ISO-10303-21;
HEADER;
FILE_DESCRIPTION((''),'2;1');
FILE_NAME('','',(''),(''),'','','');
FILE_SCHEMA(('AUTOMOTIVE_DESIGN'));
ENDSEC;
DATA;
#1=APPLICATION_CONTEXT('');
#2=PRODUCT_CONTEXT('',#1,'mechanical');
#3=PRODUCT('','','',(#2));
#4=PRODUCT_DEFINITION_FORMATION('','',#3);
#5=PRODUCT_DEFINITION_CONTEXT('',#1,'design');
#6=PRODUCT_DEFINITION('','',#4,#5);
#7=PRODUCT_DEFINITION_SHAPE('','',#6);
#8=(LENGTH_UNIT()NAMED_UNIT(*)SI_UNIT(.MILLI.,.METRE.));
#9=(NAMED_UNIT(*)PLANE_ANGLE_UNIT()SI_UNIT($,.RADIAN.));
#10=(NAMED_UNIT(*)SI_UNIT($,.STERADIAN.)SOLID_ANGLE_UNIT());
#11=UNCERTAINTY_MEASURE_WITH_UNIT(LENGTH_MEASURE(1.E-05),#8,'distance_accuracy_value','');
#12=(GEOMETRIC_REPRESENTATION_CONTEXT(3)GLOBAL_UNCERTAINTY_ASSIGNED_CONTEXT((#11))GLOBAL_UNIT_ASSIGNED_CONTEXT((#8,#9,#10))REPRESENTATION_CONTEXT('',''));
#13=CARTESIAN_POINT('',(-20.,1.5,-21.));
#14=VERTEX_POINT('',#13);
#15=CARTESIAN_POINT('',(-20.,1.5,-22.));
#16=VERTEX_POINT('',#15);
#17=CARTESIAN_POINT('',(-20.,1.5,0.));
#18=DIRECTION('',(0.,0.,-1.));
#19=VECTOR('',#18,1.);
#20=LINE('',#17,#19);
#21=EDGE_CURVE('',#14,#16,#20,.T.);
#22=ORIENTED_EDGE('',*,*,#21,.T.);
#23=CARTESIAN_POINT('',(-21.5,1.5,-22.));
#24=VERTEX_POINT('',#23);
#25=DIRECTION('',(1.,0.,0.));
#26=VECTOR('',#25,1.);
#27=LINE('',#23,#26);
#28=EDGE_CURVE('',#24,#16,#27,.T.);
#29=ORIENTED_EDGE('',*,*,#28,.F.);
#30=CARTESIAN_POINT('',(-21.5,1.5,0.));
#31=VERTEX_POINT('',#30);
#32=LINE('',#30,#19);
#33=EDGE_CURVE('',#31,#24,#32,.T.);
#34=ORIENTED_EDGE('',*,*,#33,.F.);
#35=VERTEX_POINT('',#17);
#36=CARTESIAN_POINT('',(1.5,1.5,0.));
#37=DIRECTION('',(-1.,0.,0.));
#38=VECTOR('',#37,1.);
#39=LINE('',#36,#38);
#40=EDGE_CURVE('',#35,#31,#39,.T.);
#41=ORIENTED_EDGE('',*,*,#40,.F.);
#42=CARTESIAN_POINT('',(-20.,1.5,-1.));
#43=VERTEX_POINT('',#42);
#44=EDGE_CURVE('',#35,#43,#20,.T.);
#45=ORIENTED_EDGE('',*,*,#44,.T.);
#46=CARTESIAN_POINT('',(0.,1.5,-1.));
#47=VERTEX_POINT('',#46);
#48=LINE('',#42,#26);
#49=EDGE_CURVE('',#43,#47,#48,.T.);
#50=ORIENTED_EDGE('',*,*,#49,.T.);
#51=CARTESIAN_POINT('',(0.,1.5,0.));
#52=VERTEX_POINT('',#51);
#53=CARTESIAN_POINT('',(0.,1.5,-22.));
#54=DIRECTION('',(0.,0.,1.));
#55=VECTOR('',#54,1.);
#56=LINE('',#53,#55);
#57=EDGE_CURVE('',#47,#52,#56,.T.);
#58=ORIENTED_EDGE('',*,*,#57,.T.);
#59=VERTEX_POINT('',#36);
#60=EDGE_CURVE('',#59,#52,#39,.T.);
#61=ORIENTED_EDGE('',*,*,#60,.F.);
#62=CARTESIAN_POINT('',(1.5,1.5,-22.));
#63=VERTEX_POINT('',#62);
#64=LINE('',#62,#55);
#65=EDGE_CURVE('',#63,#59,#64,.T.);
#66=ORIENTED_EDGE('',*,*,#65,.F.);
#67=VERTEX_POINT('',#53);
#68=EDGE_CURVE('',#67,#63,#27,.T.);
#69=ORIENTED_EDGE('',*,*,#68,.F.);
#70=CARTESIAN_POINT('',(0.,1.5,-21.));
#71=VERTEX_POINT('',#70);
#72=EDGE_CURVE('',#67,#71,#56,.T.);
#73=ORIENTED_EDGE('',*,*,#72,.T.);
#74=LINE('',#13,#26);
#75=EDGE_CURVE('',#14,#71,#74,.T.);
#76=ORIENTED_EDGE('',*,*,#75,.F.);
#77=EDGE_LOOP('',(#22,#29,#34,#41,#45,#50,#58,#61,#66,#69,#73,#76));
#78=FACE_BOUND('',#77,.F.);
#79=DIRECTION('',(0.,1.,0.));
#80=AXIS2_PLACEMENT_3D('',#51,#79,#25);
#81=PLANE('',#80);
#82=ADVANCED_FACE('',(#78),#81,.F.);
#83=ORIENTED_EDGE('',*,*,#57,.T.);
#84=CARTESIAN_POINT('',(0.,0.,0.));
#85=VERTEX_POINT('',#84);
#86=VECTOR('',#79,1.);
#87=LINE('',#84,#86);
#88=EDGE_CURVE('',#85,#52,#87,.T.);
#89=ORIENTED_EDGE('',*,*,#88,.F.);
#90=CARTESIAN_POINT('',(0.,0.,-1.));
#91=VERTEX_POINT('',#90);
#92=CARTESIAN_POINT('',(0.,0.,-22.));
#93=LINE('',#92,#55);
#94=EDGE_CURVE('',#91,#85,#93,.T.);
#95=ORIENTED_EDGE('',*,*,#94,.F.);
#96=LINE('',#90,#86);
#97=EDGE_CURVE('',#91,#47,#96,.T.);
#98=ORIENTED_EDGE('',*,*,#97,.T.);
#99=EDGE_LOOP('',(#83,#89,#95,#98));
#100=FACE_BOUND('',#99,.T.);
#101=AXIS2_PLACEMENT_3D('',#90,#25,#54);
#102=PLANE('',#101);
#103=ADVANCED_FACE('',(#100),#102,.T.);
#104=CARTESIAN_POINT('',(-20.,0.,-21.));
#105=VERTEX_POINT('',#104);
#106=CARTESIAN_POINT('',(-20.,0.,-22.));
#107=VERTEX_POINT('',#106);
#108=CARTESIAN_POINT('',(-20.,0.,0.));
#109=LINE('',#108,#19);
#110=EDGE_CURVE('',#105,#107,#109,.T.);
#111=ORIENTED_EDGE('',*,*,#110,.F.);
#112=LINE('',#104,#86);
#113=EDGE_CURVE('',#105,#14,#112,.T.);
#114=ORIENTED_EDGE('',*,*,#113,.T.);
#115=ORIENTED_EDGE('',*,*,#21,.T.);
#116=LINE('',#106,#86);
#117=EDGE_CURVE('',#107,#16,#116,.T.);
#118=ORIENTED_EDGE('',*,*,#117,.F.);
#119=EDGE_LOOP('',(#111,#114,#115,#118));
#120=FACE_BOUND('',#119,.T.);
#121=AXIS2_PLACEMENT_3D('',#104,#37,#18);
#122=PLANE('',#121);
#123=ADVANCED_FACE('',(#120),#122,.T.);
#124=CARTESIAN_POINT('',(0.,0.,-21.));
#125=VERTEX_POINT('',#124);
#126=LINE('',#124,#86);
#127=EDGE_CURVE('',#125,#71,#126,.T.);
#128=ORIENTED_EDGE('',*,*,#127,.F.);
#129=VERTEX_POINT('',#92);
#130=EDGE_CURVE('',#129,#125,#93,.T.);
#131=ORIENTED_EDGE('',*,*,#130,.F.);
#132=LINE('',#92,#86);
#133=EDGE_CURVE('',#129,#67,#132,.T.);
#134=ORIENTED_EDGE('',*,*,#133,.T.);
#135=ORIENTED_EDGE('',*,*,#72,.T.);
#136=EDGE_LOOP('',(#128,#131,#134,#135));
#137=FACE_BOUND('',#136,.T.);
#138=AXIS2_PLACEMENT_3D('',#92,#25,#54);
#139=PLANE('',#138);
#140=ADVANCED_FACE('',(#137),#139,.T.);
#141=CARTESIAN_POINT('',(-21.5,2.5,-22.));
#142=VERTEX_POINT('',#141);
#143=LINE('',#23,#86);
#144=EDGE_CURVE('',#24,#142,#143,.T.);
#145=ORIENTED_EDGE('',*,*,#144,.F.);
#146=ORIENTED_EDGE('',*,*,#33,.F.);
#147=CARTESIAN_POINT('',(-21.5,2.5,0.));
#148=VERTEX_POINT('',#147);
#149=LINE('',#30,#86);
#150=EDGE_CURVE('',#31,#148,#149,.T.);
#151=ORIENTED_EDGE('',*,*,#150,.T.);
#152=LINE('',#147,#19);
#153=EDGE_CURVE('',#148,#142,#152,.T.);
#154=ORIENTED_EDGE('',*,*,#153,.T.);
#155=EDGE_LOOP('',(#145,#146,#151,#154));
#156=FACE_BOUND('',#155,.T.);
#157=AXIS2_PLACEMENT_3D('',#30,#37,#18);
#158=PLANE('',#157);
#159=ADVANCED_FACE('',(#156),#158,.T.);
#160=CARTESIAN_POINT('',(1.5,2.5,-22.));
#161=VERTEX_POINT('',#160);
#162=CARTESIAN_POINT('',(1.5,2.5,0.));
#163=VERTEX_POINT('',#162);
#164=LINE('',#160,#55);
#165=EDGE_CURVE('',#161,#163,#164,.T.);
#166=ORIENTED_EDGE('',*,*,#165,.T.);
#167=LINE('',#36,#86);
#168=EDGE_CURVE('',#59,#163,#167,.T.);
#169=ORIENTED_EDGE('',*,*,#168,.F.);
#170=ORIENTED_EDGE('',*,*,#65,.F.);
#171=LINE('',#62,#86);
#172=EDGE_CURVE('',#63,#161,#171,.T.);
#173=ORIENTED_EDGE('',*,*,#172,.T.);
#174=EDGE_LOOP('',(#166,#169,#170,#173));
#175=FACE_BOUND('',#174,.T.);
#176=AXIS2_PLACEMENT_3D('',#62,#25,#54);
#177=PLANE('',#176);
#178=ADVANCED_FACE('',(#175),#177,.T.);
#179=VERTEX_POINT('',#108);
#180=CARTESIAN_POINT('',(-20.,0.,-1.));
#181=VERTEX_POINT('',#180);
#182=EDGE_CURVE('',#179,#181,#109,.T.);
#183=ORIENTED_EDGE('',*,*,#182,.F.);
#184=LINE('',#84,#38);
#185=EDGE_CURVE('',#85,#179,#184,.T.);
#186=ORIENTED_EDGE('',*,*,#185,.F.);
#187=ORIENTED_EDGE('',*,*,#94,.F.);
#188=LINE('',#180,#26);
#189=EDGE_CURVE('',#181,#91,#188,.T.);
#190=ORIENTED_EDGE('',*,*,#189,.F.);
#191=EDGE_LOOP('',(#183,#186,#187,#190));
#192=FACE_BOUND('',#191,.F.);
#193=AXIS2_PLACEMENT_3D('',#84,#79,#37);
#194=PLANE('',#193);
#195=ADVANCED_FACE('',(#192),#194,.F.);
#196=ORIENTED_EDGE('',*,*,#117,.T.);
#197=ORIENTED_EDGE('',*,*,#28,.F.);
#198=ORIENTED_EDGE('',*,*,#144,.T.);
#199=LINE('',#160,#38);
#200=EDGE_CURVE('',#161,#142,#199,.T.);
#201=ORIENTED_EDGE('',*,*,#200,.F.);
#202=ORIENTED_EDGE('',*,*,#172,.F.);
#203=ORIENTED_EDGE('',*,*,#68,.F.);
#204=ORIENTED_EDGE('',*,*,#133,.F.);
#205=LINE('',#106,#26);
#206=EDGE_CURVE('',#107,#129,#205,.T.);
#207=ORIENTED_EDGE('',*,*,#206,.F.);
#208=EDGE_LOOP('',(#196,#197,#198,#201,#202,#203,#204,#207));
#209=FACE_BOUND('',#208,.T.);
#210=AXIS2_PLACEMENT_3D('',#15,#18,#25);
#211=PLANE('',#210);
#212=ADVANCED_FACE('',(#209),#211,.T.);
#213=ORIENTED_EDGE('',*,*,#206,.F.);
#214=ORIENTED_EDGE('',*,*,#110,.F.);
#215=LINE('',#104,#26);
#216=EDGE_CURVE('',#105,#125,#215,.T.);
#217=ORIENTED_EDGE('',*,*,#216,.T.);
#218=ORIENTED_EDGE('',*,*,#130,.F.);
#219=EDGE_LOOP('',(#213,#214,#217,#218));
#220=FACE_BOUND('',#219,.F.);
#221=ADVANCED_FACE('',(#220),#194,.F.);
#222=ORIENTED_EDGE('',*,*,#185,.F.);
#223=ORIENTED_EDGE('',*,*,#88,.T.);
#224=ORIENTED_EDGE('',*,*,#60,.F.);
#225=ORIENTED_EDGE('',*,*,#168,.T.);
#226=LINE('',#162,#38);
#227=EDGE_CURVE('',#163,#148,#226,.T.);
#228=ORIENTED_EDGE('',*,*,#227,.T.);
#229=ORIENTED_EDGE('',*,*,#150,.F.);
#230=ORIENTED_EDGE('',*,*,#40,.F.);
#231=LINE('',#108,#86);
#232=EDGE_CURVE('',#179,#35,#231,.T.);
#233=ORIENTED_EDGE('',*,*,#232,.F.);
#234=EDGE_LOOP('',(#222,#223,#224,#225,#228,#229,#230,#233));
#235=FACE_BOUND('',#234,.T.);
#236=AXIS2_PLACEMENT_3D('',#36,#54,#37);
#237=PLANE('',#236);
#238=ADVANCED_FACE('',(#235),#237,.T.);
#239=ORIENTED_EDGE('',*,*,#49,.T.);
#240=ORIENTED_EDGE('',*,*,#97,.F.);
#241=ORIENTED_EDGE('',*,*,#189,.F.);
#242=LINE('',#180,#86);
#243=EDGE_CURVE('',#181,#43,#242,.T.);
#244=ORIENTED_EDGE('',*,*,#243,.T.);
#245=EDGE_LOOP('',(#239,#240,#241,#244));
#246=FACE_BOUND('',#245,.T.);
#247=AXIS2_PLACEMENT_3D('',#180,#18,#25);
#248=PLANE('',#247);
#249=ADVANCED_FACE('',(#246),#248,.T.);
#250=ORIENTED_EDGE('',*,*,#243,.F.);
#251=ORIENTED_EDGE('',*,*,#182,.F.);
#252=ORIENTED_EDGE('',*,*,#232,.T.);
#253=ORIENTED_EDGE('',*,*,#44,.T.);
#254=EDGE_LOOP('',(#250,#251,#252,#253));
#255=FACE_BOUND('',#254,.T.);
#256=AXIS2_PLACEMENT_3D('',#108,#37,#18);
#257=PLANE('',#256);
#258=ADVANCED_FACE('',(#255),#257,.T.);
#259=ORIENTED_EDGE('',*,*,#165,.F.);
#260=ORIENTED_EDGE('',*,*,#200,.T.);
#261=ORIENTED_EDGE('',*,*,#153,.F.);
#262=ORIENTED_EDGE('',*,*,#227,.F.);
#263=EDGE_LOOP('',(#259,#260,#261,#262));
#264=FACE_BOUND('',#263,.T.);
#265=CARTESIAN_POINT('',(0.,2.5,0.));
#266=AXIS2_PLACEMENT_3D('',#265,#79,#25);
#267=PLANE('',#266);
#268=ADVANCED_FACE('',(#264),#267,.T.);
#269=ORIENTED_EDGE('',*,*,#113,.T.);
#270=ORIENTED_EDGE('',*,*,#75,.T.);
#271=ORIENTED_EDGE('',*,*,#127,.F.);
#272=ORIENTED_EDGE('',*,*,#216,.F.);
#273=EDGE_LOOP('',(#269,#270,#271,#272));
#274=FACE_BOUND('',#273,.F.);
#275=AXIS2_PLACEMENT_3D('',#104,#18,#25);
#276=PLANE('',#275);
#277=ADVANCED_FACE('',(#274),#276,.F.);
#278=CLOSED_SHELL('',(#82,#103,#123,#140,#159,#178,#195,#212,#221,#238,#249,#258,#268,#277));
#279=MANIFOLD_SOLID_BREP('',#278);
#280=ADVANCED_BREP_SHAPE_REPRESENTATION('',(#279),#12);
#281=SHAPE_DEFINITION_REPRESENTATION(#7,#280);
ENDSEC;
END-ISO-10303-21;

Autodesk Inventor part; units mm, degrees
ref_plane "YZ Plane" through (0, 0, 0) normal (1, 0, 0) x (0, 1, 0)
ref_plane "XZ Plane" through (0, 0, 0) normal (0, 1, 0) x (-1, 0, 0)
ref_plane "XY Plane" through (0, 0, 0) normal (0, 0, 1) x (1, 0, 0)
sketch "Skizze1" plane through (0, 0, 0) normal (0, 1, 0) x (-1, 0, 0)
  point P0 (0, 0)
sketch "Skizze2" plane through (0, 0, 0) normal (0, 1, 0) x (-1, 0, 0)
  line L0 (0, 0) -> (20, 0)
  line L1 (20, 0) -> (20, -22)
  line L2 (20, -22) -> (0, -22)
  line L3 (0, -22) -> (0, 0)
  line L4 (0, 0) -> (20, 0)
  line L5 (20, 0) -> (20, -1)
  line L6 (20, -1) -> (0, -1)
  line L7 (0, -1) -> (0, 0)
  line L8 (0, -22) -> (20, -22)
  line L9 (20, -22) -> (20, -21)
  line L10 (20, -21) -> (0, -21)
  line L11 (0, -21) -> (0, -22)
  dimension "d0" = 20
  dimension "d1" = 22
  dimension "d2" = 20
  dimension "d3" = 1
  dimension "d4" = 20
  dimension "d5" = 1
extrude "Extrusion1" add sketch "Skizze2" along normal blind 1.5 contours L0 L1 L6 L3 | L10 L1 L2 L3
sketch "Skizze3" plane through (0, 1.5, 0) normal (0, 1, 0) x (1, 0, 0)
  line L0 (1.5, 0) -> (-21.5, 0)
  line L1 (-21.5, 0) -> (-21.5, 22)
  line L2 (-21.5, 22) -> (1.5, 22)
  line L3 (1.5, 22) -> (1.5, 0)
  line L4 (-20, 22) -> (-20, 21) projected
  point P0 (0, 0)
  point P1 (-20, 21.5)
  dimension "d8" = 23
  dimension "d9" = 22
  dimension "d10" = 1.5
extrude "Extrusion2" add sketch "Skizze3" along normal blind 1
equation "\"Biegeradius\" = Stärke"
equation "\"BreiteBiegungsfreistellung\" = Stärke"
equation "\"TiefeBiegungsfreistellung\" = 0.5 * Stärke"
equation "\"GrößeEckenfreistellung\" = 4 * Stärke"
equation "\"MinimalRest\" = 2 * Stärke"
equation "\"Übergangsradius\" = Biegeradius"
equation "\"JacobiRadiusGröße\" = Biegeradius"
equation "\"Abstandsgröße\" = Stärke"
equation "\"Stärke\" = 0.5"
properties part number "V3_O3"
